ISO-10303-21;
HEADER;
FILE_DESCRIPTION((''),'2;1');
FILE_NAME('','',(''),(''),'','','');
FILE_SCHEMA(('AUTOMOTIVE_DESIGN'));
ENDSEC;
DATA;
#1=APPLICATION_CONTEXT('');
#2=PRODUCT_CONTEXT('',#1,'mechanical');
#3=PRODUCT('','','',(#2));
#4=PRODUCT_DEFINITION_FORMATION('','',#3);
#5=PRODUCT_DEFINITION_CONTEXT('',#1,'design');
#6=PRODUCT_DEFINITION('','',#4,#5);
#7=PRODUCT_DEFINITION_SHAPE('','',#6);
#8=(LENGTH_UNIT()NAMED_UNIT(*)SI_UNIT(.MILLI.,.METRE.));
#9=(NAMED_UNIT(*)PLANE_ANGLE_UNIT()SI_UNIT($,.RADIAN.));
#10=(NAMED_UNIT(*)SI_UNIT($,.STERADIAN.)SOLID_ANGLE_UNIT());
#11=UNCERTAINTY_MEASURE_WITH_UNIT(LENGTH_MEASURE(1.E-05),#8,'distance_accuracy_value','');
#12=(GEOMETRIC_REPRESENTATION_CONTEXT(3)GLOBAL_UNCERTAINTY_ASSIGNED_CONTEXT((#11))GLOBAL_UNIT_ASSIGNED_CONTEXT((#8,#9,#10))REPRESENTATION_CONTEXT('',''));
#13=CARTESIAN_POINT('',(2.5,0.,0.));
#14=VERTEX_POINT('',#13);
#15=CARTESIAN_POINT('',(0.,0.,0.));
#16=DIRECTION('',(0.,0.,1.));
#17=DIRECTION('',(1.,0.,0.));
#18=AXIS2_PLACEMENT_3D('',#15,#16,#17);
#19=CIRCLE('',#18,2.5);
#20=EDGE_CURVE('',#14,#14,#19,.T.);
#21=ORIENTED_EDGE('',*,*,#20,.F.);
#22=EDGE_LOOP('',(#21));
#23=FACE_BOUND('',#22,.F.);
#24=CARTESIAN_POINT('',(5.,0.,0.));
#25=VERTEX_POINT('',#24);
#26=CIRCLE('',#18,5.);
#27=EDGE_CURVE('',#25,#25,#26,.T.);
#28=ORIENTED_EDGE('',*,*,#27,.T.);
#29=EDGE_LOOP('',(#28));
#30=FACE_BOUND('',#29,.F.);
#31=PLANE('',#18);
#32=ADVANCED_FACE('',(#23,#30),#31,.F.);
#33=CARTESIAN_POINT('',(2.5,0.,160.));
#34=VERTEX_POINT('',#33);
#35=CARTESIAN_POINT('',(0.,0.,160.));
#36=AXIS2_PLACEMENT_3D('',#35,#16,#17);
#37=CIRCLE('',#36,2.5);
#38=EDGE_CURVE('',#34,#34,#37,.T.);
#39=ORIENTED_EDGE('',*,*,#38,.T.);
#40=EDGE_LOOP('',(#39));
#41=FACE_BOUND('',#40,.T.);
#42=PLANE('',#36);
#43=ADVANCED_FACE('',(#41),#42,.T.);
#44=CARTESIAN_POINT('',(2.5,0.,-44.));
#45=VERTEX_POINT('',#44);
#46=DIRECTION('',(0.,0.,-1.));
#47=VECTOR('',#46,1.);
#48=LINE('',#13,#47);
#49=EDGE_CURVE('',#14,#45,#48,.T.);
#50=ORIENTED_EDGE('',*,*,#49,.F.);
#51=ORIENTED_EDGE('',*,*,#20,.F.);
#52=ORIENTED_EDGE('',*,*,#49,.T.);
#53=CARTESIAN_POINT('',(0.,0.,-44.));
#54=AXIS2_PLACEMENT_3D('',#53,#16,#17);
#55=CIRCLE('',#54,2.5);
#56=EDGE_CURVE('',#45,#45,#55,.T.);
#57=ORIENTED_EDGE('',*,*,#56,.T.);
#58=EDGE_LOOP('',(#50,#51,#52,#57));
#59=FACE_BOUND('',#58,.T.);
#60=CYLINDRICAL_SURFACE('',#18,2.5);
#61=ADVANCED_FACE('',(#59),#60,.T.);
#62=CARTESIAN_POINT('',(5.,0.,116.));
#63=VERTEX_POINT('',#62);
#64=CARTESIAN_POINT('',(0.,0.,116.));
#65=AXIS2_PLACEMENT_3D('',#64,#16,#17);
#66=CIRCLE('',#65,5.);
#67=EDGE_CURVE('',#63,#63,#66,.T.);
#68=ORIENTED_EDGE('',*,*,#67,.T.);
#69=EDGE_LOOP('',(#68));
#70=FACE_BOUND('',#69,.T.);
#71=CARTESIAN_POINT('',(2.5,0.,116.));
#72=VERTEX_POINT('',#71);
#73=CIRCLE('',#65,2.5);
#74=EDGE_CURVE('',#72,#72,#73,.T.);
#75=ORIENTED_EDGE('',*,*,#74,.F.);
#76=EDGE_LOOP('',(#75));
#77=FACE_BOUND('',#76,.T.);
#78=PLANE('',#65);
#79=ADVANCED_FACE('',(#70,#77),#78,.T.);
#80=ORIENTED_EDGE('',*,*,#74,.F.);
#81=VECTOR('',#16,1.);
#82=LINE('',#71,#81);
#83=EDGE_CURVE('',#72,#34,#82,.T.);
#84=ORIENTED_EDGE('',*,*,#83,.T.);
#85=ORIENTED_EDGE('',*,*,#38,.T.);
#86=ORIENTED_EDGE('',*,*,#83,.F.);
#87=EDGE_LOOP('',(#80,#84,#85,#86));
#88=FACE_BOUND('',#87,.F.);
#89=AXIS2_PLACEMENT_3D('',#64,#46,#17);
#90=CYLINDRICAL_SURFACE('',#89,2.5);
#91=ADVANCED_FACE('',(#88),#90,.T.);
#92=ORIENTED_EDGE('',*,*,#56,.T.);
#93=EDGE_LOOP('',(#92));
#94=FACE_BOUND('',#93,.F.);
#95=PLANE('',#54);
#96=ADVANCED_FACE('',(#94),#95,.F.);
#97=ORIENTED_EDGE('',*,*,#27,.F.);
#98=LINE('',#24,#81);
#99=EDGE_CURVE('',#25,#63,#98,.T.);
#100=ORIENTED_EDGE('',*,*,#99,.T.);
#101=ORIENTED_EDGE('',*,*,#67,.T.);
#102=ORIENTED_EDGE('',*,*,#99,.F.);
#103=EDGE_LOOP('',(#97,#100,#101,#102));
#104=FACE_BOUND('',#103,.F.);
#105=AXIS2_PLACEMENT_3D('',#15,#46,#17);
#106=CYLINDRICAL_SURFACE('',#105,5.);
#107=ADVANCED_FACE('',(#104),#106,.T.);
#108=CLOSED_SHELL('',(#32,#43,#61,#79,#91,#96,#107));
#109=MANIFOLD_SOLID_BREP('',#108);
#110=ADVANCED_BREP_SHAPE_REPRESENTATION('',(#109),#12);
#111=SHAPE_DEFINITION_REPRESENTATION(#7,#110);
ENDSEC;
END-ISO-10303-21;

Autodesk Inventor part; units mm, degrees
ref_plane "YZ Plane" through (0, 0, 0) normal (1, 0, 0) x (0, 1, 0)
ref_plane "XZ Plane" through (0, 0, 0) normal (0, 1, 0) x (-1, 0, 0)
ref_plane "XY Plane" through (0, 0, 0) normal (0, 0, 1) x (1, 0, 0)
sketch "Sketch1" plane through (0, 0, 0) normal (0, 0, 1) x (1, 0, 0)
  circle A0 centre (0, 0) radius 5
  circle A1 centre (0, 0) radius 2.5
  dimension "d0" = 10
  dimension "d1" = 5
extrude "Extrusion1" add sketch "Sketch1" along normal blind 116 contours A0 | A1
extrude "Extrusion2" add sketch "Sketch1" along normal blind 44 from surface at 116 contours A1
extrude "Extrusion3" add sketch "Sketch1" against normal blind 44 contours A1
properties part number "Main Shaft"
